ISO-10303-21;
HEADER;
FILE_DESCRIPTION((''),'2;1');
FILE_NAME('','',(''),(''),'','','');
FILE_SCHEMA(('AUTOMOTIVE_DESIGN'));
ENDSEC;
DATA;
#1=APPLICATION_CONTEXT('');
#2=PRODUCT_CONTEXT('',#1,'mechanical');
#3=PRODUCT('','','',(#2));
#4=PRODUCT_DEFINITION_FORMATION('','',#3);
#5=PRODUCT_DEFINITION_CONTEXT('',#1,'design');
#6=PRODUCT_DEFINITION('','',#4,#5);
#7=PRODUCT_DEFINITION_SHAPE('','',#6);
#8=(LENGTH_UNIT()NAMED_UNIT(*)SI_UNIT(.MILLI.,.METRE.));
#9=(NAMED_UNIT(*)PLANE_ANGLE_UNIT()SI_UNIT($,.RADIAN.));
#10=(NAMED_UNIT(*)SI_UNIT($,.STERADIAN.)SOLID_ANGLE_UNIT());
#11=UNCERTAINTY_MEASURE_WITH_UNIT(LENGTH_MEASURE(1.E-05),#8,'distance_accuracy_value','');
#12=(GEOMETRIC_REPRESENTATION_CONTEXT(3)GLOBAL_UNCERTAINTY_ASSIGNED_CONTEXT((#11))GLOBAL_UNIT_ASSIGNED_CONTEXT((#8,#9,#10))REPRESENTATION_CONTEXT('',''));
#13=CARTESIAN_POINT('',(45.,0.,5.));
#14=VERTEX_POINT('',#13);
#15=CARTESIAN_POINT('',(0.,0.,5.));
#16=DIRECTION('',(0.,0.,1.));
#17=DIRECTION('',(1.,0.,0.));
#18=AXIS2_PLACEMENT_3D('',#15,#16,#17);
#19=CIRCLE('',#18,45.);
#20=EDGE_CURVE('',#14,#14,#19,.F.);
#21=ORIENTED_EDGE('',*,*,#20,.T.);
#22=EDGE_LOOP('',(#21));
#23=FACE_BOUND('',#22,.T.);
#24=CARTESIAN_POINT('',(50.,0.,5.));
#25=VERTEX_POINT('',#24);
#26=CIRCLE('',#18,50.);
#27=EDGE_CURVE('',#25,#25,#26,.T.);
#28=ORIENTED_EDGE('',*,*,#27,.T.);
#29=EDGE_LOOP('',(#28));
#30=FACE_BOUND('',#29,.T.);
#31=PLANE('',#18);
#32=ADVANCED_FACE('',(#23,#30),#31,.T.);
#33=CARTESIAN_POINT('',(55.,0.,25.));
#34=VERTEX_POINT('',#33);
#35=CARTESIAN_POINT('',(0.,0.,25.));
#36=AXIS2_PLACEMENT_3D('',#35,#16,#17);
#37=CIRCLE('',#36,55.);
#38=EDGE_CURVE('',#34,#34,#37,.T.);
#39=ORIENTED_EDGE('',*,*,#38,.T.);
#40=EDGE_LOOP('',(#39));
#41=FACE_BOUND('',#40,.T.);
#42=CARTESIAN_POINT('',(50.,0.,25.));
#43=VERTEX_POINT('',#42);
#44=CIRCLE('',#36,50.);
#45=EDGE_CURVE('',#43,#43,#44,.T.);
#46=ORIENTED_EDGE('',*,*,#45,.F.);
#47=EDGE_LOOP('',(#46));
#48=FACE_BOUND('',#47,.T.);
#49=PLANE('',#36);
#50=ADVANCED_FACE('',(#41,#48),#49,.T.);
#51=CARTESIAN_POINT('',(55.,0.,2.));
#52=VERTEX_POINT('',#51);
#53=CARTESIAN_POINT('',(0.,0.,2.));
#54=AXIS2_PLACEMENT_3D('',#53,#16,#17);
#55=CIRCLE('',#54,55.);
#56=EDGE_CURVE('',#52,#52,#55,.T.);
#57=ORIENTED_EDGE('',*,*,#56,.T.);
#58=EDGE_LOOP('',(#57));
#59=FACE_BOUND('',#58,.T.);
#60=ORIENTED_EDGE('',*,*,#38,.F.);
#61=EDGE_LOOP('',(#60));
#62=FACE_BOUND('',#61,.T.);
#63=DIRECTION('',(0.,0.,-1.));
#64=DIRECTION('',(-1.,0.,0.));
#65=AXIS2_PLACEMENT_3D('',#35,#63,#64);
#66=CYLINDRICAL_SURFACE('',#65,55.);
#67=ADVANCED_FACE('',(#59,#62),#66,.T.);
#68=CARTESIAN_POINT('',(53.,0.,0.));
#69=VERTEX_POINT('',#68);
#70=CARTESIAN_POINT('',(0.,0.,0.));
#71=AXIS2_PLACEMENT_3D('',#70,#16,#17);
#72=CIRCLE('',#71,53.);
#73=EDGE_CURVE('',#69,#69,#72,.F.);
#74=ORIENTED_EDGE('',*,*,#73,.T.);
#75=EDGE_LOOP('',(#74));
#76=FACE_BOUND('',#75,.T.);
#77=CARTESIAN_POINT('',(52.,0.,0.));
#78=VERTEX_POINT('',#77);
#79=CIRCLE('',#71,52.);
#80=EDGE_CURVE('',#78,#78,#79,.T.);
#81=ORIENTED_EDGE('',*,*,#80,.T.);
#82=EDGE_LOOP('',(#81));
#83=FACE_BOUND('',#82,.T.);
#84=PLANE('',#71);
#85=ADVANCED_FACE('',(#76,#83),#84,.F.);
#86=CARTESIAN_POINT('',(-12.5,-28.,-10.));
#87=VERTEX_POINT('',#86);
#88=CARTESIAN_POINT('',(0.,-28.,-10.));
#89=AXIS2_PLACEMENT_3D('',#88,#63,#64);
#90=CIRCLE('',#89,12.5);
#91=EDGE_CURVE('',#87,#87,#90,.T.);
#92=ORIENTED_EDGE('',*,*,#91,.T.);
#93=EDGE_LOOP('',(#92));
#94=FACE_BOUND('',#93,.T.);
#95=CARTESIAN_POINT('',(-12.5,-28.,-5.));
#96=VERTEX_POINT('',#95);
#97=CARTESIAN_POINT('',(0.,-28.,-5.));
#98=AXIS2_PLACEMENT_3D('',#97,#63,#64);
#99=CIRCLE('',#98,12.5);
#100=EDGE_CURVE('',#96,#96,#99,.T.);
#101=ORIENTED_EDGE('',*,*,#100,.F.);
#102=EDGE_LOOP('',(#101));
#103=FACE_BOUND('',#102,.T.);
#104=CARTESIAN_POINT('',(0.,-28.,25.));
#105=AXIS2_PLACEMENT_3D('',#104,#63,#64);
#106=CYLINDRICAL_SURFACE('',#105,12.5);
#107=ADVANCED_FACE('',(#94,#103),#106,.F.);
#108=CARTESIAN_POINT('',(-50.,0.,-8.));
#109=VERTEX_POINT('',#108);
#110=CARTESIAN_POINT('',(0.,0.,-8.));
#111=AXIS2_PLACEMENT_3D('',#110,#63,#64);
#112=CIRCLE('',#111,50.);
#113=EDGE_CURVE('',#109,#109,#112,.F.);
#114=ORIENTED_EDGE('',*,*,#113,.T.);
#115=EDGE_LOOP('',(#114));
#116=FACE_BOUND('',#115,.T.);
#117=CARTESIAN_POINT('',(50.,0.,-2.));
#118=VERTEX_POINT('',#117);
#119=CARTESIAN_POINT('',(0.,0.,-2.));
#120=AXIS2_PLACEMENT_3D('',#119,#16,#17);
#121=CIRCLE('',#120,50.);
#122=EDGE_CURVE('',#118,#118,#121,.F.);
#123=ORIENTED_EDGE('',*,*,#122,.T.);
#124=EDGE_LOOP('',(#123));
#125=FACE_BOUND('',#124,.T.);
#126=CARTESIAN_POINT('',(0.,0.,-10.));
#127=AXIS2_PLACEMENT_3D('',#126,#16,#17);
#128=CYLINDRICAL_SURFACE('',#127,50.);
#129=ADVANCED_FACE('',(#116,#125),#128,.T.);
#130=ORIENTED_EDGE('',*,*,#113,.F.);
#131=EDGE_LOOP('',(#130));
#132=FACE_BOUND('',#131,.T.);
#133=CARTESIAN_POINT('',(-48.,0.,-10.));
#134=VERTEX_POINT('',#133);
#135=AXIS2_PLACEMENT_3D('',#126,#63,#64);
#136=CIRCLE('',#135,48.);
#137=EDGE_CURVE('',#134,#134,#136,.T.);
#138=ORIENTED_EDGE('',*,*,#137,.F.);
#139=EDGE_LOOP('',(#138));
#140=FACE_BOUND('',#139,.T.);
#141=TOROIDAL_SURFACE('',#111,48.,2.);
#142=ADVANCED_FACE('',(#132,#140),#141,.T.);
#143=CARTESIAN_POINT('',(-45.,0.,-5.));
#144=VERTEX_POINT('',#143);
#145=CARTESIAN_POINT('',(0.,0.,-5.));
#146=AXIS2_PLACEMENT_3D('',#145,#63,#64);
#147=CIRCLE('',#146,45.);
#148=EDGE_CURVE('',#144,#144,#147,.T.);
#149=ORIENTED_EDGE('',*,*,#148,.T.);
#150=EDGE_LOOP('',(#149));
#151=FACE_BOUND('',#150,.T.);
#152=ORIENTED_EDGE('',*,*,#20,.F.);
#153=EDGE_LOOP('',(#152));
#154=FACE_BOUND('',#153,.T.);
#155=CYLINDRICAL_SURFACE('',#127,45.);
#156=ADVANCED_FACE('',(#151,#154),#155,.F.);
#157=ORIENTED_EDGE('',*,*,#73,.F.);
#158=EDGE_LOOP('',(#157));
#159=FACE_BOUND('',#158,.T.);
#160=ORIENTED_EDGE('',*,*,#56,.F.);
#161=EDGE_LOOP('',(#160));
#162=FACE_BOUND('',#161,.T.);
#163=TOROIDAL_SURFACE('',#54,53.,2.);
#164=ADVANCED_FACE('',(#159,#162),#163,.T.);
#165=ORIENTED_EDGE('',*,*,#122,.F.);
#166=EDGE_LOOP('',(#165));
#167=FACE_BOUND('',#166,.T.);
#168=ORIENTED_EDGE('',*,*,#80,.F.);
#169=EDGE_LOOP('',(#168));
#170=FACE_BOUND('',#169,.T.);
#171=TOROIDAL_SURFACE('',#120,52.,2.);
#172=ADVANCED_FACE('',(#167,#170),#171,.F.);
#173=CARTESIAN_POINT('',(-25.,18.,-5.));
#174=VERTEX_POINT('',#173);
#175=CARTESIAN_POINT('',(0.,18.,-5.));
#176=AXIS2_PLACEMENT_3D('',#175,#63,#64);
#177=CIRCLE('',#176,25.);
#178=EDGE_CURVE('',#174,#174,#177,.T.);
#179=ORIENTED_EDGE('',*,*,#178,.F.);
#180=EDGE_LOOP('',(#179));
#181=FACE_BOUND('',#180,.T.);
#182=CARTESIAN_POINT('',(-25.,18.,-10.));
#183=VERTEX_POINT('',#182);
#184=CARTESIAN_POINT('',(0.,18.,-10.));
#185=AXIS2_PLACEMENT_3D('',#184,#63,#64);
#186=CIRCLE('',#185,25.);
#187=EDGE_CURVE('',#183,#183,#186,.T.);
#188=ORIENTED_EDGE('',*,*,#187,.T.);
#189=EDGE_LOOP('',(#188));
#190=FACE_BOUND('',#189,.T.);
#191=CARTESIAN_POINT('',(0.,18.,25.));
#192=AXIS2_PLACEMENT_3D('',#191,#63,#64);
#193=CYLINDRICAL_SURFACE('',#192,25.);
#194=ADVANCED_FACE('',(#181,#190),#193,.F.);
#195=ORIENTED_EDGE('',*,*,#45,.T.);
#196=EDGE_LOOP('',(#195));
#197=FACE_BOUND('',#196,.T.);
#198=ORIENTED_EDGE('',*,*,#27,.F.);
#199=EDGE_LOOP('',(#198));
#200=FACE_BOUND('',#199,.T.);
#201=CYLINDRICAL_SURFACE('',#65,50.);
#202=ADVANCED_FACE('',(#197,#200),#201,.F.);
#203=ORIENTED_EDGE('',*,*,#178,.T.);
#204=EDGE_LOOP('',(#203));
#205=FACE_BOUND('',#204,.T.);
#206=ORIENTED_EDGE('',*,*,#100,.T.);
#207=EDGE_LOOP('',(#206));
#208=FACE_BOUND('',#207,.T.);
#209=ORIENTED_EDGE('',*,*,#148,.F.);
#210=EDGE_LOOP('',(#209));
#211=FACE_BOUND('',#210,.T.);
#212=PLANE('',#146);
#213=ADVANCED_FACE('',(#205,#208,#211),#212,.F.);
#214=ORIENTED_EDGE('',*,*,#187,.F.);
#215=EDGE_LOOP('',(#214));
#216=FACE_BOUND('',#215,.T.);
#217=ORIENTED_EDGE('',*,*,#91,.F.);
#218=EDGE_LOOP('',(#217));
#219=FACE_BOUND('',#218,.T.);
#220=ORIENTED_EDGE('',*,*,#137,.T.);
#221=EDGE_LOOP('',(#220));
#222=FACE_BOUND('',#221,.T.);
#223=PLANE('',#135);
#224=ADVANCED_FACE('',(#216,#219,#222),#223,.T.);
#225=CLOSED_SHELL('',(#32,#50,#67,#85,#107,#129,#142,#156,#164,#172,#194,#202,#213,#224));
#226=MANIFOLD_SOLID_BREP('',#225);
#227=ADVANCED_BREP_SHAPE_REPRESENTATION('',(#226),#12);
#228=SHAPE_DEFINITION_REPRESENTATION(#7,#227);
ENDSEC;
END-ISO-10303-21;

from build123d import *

# Parameters (mm, degrees)
ESBO_O1_R                = 55
RESSALTO_EXTRUS_O1_DEPTH = 25
ESBO_O2_R                = 50
RESSALTO_EXTRUS_O2_DEPTH = 10
CASCA1_T                 = -5
FILETE2_R                = 2
FILETE3_R                = 2
ESBO_O3_R                = 25
ESBO_O3_R_2              = 12.5
CORTE_EXTRUS_O1_DEPTH    = 86.293610546


with BuildPart() as part:
    # Esboço1 → Ressalto-extrusão1 (new body)
    with BuildSketch(Plane.XY):
        Circle(ESBO_O1_R)
    extrude(amount=RESSALTO_EXTRUS_O1_DEPTH)

    # Esboço2 → Ressalto-extrusão2 (add)
    with BuildSketch(Plane(origin=(0, 0, 0), x_dir=(-1, 0, 0), z_dir=(0, 0, -1))):
        Circle(ESBO_O2_R)
    extrude(amount=RESSALTO_EXTRUS_O2_DEPTH)

    # Casca1
    casca1_openings = [part.faces().sort_by_distance(p)[0] for p in [
        (0, 0, 25),
    ]]
    offset(amount=CASCA1_T, openings=casca1_openings, kind=Kind.INTERSECTION)

    # Filete2
    filete2_edges = [part.edges().sort_by_distance(p)[0] for p in [
        (50, 0, 0),
        (50, 0, -10),
    ]]
    fillet(filete2_edges, radius=FILETE2_R)

    # Filete3
    filete3_edges = [part.edges().sort_by_distance(p)[0] for p in [
        (-55, 0, 0),
    ]]
    fillet(filete3_edges, radius=FILETE3_R)

    # Esboço3 → Corte-extrusão1 (cut, through all)
    with BuildSketch(Plane(origin=(0, 0, -10), x_dir=(-1, 0, 0), z_dir=(0, 0, -1))):
        with Locations((0, 18)):
            Circle(ESBO_O3_R)
        with Locations((0, -28)):
            Circle(ESBO_O3_R_2)
    extrude(amount=-CORTE_EXTRUS_O1_DEPTH, mode=Mode.SUBTRACT)


solid = part.part
